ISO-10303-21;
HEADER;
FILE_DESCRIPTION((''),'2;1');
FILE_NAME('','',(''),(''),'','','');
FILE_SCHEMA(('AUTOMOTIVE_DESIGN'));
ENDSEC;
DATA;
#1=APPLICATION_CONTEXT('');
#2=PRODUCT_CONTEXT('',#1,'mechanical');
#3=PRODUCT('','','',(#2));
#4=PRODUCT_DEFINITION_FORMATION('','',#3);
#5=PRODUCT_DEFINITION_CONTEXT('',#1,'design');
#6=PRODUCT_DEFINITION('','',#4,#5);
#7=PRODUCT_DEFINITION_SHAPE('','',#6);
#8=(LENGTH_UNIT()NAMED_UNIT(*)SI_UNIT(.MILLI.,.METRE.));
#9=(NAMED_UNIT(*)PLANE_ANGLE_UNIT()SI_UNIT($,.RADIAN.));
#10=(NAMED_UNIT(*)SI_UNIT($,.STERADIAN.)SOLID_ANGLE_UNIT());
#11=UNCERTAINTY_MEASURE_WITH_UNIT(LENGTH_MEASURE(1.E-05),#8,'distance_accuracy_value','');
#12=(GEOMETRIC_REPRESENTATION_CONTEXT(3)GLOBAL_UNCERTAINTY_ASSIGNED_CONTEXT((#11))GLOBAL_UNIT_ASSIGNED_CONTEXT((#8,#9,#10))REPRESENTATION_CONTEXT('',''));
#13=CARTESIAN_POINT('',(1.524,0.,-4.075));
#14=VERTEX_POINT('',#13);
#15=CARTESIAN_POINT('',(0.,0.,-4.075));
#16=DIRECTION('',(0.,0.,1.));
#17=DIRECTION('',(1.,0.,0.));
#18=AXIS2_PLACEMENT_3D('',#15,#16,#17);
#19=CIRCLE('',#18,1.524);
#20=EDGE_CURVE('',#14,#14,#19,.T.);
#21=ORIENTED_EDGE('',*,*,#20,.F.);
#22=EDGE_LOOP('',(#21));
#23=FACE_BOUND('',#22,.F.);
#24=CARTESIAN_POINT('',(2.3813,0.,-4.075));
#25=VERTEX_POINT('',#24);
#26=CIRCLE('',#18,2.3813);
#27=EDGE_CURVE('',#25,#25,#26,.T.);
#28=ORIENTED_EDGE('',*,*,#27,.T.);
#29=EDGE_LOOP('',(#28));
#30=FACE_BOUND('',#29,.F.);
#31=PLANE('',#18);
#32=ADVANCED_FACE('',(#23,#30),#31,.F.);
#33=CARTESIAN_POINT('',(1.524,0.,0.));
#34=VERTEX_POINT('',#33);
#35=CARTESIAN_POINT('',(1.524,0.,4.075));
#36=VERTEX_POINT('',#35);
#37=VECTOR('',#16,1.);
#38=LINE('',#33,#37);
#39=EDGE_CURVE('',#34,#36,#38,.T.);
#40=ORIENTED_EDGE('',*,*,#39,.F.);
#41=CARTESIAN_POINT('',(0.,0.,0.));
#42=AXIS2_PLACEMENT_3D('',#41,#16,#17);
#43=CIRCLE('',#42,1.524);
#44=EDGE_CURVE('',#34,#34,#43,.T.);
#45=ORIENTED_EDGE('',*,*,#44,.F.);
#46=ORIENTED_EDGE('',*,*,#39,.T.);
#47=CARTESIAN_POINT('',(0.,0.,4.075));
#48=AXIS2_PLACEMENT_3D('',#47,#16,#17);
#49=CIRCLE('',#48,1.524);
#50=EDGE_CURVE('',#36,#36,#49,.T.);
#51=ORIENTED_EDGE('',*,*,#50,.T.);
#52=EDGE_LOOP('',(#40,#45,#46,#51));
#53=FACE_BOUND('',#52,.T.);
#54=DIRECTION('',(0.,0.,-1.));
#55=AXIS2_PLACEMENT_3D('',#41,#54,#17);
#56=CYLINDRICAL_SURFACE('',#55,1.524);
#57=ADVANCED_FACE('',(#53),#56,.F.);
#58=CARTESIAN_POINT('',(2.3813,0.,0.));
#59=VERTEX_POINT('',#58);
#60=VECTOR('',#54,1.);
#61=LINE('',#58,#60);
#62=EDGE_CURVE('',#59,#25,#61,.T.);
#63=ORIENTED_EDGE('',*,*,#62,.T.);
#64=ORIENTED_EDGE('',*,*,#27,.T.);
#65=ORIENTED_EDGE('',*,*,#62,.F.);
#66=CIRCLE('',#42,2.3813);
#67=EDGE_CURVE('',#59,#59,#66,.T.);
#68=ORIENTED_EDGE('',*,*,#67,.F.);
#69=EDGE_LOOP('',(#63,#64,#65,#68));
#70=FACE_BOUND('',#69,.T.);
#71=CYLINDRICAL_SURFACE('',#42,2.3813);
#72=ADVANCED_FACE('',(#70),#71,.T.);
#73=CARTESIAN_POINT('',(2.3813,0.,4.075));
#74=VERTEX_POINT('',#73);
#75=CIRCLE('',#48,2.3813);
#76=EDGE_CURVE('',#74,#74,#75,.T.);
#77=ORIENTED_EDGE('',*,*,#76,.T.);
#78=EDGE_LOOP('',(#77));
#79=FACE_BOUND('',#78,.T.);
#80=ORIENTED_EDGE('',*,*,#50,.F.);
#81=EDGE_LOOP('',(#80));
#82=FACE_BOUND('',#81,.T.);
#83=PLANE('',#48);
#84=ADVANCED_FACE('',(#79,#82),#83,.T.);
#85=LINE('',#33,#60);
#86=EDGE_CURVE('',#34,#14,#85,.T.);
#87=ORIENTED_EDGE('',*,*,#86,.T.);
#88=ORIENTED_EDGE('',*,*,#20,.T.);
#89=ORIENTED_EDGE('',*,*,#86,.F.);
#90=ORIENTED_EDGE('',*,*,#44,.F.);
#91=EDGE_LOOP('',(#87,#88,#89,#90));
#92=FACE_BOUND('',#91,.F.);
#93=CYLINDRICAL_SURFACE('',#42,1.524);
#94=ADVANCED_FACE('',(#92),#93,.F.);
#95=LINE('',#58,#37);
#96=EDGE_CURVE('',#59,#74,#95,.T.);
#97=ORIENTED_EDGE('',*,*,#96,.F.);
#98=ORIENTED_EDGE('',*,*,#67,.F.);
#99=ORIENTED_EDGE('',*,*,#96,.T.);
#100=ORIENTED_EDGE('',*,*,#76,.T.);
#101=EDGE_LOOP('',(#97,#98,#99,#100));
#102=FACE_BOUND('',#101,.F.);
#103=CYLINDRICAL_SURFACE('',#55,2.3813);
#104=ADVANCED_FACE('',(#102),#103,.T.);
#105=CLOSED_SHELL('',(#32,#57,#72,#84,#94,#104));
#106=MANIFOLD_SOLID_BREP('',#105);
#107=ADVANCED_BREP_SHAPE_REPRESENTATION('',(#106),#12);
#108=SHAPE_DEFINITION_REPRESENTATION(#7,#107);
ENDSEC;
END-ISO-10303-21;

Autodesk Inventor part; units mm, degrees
ref_plane "YZ Plane" through (0, 0, 0) normal (1, 0, 0) x (0, 1, 0)
ref_plane "XZ Plane" through (0, 0, 0) normal (0, 1, 0) x (-1, 0, 0)
ref_plane "XY Plane" through (0, 0, 0) normal (0, 0, 1) x (1, 0, 0)
sketch "Sketch1" plane through (0, 0, 0) normal (0, 0, 1) x (1, 0, 0)
  circle A0 centre (0, 0) radius 1.524
  circle A1 centre (0, 0) radius 2.3813
  dimension "d0" = 4.7625
  dimension "d1" = 3.048
extrude "Extrusion1" add sketch "Sketch1" along normal mid plane 8.15
properties part number "FOX-ME-117-03" material "Copper 110H04"
